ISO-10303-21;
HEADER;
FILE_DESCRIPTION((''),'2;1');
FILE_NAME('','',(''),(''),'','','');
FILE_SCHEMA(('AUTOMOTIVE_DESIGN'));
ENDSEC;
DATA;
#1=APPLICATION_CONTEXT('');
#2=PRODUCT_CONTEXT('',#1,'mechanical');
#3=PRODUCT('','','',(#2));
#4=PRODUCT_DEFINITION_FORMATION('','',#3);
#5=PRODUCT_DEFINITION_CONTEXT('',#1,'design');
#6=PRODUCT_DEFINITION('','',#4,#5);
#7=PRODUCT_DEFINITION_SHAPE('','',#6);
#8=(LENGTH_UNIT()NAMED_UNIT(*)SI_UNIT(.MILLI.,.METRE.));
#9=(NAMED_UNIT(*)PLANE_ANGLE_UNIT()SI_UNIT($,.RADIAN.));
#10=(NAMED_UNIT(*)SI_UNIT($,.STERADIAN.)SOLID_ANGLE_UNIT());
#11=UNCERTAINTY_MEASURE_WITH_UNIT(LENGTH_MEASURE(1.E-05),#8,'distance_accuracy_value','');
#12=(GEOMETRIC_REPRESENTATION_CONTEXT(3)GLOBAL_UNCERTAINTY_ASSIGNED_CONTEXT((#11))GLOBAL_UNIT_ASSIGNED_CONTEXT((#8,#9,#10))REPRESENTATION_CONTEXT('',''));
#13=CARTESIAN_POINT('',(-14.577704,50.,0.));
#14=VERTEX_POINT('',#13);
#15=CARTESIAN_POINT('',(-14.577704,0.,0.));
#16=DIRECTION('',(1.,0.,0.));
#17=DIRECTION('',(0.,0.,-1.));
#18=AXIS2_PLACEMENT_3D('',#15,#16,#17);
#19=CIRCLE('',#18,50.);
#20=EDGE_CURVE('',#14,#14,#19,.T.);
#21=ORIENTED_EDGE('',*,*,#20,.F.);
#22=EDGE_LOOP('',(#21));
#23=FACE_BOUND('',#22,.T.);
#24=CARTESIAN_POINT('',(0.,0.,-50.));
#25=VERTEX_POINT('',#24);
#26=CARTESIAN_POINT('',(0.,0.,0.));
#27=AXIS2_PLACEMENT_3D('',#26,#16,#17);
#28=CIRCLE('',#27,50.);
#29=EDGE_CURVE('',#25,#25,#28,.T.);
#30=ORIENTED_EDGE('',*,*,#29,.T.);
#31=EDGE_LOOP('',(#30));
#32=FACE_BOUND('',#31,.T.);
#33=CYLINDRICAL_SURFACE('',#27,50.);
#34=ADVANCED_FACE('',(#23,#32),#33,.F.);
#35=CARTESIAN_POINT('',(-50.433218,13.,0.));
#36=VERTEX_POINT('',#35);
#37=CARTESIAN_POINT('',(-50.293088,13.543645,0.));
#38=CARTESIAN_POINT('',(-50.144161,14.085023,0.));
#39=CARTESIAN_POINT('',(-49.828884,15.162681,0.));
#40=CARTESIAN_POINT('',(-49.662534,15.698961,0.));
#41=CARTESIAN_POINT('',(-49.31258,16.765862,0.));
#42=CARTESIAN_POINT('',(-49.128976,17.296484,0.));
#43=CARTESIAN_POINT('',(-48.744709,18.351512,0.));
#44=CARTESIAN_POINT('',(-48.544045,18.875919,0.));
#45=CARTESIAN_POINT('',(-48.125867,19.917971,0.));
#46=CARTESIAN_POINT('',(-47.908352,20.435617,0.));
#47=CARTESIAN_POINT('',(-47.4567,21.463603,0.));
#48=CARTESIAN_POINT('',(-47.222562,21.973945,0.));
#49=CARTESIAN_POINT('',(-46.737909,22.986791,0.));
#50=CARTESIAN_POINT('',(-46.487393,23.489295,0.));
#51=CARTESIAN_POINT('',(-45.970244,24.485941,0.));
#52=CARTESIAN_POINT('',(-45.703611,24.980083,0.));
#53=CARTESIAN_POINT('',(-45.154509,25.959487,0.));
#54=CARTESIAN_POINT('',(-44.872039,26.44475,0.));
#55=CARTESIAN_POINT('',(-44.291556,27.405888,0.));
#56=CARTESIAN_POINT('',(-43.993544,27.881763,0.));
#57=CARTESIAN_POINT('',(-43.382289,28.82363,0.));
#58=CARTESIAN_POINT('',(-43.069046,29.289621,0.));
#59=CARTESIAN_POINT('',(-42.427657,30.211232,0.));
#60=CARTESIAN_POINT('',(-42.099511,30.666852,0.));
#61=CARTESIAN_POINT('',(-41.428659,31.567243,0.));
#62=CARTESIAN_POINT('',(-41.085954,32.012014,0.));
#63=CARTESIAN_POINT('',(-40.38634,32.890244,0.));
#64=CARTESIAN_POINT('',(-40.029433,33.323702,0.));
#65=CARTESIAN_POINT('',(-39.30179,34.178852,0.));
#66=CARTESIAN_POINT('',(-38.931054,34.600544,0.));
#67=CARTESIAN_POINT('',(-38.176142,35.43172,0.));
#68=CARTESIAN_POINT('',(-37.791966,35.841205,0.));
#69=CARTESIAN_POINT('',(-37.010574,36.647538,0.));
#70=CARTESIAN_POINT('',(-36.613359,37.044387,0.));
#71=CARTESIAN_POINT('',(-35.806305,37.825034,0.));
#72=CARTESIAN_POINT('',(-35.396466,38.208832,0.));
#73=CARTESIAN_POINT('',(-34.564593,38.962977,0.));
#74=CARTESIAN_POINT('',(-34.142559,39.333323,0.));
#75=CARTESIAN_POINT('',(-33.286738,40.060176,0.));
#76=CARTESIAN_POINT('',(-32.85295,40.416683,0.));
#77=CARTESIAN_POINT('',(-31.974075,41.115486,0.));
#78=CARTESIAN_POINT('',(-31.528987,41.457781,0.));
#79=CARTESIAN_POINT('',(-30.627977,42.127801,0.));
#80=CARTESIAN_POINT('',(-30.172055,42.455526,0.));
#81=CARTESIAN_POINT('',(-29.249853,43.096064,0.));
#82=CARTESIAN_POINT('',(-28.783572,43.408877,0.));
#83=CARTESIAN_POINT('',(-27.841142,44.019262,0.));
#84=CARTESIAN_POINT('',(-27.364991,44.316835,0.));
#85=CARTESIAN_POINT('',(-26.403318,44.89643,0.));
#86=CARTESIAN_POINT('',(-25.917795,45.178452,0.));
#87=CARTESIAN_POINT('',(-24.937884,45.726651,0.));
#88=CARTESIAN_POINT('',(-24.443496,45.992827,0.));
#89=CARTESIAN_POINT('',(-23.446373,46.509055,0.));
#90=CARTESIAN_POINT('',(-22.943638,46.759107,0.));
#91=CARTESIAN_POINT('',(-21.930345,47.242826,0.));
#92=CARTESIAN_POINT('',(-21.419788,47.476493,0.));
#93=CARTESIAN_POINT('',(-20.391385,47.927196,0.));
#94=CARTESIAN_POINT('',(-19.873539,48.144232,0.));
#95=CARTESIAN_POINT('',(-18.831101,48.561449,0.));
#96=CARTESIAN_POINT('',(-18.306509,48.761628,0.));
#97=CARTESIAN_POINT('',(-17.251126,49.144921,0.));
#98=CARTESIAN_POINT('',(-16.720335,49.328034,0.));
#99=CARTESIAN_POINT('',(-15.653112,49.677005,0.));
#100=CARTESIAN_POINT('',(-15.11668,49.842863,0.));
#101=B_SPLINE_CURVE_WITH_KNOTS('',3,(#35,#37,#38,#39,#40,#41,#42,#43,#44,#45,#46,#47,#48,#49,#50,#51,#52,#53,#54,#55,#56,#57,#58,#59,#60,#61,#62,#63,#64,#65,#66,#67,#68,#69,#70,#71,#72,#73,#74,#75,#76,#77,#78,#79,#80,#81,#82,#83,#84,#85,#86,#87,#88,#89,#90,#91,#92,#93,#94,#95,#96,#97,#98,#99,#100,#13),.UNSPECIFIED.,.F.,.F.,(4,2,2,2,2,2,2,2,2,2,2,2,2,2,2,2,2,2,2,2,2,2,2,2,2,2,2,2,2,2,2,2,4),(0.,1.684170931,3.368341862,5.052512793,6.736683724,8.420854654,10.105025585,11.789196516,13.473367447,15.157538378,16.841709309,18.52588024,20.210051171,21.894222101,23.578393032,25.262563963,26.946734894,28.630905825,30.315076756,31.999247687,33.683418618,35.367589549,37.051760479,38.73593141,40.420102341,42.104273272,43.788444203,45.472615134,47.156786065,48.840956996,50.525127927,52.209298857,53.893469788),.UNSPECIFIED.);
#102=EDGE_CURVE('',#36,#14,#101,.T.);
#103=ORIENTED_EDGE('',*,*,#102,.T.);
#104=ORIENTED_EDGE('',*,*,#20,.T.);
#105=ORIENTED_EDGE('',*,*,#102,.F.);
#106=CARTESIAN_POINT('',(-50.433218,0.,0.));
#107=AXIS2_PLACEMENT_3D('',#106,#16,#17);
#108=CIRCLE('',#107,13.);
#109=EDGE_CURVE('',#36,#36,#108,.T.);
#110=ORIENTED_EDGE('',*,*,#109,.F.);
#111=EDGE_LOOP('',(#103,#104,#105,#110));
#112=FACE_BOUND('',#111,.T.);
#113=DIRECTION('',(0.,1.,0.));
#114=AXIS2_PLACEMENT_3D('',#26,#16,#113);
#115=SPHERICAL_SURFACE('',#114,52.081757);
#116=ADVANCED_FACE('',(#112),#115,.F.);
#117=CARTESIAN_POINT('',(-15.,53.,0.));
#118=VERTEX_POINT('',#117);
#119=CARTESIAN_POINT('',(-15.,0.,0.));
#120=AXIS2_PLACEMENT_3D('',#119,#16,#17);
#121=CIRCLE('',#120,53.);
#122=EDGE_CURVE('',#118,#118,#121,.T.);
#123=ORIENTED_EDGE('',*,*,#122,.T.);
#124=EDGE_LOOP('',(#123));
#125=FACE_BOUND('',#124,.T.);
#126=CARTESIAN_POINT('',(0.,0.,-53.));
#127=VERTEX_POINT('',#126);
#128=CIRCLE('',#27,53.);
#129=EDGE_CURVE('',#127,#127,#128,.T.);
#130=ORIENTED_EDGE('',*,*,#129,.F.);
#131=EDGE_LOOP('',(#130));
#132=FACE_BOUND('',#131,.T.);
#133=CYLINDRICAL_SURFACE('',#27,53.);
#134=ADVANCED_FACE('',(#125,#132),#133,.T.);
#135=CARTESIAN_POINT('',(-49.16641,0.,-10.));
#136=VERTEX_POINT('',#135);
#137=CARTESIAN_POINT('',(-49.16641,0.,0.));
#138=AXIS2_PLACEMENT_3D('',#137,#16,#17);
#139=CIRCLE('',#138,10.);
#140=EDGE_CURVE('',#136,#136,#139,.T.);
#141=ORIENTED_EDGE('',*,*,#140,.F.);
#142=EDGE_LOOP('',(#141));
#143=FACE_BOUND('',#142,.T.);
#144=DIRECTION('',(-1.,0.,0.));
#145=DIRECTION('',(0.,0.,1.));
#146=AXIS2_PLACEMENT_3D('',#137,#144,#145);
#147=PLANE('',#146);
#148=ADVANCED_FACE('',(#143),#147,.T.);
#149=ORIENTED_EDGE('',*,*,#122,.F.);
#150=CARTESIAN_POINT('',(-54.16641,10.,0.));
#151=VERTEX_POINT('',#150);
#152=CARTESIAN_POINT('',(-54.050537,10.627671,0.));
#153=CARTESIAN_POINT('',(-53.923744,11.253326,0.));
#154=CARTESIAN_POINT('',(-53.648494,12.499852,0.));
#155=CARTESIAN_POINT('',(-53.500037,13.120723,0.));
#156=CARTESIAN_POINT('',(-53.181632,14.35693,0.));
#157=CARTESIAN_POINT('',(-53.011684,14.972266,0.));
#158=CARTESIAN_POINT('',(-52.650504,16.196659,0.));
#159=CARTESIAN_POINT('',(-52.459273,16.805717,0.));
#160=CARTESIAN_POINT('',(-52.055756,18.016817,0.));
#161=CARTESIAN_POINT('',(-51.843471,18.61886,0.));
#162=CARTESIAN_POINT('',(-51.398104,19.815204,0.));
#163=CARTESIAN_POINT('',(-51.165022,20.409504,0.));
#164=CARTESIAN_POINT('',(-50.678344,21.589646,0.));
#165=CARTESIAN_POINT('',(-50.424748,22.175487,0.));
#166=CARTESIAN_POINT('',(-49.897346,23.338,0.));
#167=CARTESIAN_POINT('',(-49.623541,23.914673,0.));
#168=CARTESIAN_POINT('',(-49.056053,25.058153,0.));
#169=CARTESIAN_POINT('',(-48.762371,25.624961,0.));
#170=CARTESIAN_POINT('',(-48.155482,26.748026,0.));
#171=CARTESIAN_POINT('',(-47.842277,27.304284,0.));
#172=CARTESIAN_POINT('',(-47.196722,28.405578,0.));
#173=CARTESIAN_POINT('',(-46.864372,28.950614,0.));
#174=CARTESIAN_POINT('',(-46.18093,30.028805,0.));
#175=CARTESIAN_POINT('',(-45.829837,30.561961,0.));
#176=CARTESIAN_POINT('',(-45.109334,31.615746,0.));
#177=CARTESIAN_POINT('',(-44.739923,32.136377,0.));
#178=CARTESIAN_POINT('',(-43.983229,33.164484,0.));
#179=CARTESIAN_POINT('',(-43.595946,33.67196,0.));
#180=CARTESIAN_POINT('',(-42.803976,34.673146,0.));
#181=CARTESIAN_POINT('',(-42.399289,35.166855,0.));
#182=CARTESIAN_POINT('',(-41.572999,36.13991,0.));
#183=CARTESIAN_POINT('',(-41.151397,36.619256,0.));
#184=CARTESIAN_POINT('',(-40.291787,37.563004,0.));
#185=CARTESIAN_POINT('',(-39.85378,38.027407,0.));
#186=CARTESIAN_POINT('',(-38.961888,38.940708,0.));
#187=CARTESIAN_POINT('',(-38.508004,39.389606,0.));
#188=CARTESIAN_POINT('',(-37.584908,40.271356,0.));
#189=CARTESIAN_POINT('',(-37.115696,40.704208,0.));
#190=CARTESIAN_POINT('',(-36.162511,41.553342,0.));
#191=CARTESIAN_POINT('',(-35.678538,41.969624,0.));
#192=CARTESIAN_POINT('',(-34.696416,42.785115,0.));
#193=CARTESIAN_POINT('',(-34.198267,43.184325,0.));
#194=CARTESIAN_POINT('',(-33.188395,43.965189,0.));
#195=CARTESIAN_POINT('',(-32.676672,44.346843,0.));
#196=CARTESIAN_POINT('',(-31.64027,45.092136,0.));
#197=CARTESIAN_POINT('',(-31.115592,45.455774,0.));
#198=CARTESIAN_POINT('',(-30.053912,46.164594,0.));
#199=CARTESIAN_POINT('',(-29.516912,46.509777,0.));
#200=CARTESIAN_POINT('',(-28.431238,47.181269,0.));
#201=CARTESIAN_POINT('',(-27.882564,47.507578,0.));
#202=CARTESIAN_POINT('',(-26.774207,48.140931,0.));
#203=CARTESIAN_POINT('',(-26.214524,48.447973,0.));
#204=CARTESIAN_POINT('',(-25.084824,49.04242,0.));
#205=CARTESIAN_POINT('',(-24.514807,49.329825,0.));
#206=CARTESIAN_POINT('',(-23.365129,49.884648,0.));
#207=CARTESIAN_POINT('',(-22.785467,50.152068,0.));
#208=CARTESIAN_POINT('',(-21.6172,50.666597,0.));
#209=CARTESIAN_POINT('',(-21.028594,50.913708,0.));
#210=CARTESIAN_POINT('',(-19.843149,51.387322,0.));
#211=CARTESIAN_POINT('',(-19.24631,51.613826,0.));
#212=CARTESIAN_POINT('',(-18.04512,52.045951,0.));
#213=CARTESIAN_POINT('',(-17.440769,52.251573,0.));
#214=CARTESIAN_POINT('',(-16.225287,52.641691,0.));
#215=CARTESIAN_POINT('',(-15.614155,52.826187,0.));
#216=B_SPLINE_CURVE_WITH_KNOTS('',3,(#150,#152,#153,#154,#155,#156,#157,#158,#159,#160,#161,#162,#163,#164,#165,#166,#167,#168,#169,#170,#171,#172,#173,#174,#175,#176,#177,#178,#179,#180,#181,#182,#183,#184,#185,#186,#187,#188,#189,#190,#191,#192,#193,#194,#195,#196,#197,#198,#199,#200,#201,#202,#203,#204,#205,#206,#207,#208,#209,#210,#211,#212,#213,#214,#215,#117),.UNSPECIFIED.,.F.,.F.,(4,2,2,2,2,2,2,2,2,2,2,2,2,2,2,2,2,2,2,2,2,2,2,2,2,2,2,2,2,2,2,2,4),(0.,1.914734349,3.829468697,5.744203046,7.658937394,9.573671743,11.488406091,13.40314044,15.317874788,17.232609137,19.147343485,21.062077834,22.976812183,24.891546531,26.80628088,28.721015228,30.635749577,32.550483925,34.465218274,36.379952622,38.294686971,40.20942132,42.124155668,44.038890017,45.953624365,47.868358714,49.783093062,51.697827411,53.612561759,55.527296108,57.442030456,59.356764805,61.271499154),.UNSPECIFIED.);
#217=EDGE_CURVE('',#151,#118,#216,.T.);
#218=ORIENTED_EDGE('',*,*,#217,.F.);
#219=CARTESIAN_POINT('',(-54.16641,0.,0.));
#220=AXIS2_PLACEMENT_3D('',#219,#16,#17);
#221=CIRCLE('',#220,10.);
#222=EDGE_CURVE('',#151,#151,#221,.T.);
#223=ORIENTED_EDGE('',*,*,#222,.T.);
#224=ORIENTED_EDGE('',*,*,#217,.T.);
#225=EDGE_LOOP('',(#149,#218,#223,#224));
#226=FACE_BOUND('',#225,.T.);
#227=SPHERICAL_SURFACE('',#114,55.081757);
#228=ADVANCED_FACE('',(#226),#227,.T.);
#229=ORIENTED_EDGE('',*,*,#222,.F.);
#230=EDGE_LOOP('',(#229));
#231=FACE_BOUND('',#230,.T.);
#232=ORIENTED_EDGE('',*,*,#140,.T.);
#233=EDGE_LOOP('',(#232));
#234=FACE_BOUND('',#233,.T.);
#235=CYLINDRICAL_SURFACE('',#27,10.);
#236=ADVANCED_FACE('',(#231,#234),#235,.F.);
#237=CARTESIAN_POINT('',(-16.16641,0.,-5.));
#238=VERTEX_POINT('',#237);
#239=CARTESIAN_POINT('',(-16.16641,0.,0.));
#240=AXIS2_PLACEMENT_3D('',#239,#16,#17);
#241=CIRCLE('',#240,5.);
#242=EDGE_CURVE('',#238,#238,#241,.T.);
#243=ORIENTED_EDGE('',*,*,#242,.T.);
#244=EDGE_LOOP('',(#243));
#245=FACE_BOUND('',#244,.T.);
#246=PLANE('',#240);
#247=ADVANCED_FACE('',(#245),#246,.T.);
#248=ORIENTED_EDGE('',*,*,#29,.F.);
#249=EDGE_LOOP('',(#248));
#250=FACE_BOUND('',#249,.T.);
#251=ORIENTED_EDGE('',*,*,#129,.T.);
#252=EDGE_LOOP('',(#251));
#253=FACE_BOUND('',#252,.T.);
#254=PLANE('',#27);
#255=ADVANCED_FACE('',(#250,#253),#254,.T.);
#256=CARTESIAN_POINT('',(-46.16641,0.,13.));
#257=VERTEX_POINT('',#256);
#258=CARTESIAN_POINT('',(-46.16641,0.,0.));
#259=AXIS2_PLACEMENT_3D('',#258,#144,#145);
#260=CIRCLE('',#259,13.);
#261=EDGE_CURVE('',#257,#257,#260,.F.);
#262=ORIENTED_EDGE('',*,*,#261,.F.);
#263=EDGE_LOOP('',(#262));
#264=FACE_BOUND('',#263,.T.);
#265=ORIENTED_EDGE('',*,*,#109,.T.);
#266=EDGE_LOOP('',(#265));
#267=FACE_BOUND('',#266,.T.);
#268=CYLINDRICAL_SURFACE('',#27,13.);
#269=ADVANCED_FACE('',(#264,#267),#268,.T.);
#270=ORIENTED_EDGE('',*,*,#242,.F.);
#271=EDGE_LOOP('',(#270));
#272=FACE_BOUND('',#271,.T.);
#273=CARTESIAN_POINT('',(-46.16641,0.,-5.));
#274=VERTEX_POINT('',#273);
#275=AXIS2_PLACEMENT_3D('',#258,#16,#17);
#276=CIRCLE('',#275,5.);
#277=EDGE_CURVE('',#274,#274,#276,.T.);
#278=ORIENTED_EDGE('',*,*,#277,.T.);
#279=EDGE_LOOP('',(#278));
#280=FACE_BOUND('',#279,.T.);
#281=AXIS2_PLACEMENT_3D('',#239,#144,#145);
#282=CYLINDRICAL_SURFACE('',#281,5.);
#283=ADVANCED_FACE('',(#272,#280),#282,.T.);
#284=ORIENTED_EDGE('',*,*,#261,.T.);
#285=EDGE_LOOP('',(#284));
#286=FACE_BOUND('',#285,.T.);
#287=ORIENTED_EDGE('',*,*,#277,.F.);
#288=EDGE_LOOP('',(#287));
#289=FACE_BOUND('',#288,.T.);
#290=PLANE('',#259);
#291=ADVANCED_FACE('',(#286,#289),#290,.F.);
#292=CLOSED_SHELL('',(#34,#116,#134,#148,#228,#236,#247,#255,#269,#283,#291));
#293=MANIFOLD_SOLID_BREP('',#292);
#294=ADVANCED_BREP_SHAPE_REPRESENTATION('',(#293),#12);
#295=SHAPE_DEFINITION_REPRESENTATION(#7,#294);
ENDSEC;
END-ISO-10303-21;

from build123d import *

# Parameters (mm, degrees)
SHELL1_T            = -3
SKETCH3_R           = 5
BOSS_EXTRUDE1_DEPTH = 30


with BuildPart() as part:
    # Sketch2 → Revolve1 (revolve)
    with BuildSketch(Plane.XY, mode=Mode.PRIVATE) as revolve1_sk:
        with BuildLine():
            Line((0, 0), (0, 53))
            Line((0, 53), (-15, 53))
            ThreePointArc((-15, 53), (-40.721592269, 37.091129978), (-54.166410256, 10))
            Line((-54.166410256, 10), (-49.166410256, 10))
            Line((-49.166410256, 10), (-49.166410256, 0))
            Line((-49.166410256, 0), (0, 0))
        make_face()
    revolve(revolve1_sk.sketch.rotate(Axis((0, 0, 0), (-1, 0, 0)), 90), axis=Axis((0, 0, 0), (-1, 0, 0)))

    # Shell1
    shell1_openings = [part.faces().sort_by_distance(p)[0] for p in [
        (0, 0, 0),
    ]]
    offset(amount=SHELL1_T, openings=shell1_openings, kind=Kind.INTERSECTION)

    # Sketch3 → Boss-Extrude1 (add)
    with BuildSketch(Plane(origin=(-46.166410256, 0, 0), x_dir=(0, 0, -1), z_dir=(1, 0, 0))):
        Circle(SKETCH3_R)
    extrude(amount=BOSS_EXTRUDE1_DEPTH)


solid = part.part
